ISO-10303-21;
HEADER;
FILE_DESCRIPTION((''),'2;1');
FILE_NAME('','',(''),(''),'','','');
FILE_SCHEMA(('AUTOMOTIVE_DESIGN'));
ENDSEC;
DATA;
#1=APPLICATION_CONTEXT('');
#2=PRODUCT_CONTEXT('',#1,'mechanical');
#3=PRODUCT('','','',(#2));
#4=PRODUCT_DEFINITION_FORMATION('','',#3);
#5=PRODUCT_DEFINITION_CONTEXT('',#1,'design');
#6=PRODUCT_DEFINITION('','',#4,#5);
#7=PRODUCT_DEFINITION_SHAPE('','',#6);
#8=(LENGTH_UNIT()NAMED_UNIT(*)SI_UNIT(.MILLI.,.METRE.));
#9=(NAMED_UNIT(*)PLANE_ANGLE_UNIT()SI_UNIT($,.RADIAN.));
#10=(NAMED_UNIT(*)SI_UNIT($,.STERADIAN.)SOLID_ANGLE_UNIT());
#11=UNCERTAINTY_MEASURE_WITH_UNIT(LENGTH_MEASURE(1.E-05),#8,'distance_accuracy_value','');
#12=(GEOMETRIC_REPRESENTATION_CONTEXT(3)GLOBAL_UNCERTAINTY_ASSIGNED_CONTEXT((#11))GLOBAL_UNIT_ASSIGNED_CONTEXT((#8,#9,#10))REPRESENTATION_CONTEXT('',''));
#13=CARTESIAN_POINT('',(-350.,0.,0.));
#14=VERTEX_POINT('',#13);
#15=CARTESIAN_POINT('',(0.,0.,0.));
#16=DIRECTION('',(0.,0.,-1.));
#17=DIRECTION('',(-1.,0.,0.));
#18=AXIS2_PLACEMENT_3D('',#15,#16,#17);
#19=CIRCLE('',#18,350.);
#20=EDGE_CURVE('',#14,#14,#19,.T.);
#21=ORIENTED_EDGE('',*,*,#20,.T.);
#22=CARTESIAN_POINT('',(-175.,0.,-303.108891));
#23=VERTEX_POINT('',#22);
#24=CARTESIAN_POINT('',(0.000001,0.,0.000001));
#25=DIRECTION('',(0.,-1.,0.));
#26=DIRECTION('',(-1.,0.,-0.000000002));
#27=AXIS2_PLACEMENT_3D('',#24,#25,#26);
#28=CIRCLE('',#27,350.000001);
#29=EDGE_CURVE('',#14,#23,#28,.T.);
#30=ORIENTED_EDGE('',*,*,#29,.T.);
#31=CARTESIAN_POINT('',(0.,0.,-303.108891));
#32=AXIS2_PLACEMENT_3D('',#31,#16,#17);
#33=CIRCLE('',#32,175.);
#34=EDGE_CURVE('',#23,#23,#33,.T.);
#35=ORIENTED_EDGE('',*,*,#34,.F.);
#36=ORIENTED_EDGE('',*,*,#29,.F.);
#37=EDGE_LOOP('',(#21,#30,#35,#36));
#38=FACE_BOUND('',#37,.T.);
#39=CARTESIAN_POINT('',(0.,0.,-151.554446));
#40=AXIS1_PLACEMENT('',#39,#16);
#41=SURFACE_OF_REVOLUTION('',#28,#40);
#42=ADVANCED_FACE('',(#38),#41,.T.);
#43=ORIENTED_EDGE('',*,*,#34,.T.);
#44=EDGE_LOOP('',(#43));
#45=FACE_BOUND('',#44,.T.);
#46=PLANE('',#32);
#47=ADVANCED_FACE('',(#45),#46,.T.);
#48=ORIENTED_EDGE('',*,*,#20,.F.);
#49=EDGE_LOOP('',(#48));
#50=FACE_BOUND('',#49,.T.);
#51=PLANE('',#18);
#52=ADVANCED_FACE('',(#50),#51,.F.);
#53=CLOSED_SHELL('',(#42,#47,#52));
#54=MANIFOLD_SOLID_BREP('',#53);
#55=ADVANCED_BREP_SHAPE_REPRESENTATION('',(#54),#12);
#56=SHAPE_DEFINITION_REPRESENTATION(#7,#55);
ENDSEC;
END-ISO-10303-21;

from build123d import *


with BuildPart() as f1:
    # F0 (on Front) → F1 (revolve)
    with BuildSketch(Plane.XZ):
        with BuildLine():
            Line((0, 0), (-350, 0))
            ThreePointArc((-350, 0), (-303.108891, -175), (-175, -303.108891))
            Line((-175, -303.108891), (0, -303.108891))
            Line((0, -303.108891), (0, 0))
        make_face()
    revolve(axis=Axis((0, 0, -151.554446), (0, 0, -1)))


solid = f1.part
